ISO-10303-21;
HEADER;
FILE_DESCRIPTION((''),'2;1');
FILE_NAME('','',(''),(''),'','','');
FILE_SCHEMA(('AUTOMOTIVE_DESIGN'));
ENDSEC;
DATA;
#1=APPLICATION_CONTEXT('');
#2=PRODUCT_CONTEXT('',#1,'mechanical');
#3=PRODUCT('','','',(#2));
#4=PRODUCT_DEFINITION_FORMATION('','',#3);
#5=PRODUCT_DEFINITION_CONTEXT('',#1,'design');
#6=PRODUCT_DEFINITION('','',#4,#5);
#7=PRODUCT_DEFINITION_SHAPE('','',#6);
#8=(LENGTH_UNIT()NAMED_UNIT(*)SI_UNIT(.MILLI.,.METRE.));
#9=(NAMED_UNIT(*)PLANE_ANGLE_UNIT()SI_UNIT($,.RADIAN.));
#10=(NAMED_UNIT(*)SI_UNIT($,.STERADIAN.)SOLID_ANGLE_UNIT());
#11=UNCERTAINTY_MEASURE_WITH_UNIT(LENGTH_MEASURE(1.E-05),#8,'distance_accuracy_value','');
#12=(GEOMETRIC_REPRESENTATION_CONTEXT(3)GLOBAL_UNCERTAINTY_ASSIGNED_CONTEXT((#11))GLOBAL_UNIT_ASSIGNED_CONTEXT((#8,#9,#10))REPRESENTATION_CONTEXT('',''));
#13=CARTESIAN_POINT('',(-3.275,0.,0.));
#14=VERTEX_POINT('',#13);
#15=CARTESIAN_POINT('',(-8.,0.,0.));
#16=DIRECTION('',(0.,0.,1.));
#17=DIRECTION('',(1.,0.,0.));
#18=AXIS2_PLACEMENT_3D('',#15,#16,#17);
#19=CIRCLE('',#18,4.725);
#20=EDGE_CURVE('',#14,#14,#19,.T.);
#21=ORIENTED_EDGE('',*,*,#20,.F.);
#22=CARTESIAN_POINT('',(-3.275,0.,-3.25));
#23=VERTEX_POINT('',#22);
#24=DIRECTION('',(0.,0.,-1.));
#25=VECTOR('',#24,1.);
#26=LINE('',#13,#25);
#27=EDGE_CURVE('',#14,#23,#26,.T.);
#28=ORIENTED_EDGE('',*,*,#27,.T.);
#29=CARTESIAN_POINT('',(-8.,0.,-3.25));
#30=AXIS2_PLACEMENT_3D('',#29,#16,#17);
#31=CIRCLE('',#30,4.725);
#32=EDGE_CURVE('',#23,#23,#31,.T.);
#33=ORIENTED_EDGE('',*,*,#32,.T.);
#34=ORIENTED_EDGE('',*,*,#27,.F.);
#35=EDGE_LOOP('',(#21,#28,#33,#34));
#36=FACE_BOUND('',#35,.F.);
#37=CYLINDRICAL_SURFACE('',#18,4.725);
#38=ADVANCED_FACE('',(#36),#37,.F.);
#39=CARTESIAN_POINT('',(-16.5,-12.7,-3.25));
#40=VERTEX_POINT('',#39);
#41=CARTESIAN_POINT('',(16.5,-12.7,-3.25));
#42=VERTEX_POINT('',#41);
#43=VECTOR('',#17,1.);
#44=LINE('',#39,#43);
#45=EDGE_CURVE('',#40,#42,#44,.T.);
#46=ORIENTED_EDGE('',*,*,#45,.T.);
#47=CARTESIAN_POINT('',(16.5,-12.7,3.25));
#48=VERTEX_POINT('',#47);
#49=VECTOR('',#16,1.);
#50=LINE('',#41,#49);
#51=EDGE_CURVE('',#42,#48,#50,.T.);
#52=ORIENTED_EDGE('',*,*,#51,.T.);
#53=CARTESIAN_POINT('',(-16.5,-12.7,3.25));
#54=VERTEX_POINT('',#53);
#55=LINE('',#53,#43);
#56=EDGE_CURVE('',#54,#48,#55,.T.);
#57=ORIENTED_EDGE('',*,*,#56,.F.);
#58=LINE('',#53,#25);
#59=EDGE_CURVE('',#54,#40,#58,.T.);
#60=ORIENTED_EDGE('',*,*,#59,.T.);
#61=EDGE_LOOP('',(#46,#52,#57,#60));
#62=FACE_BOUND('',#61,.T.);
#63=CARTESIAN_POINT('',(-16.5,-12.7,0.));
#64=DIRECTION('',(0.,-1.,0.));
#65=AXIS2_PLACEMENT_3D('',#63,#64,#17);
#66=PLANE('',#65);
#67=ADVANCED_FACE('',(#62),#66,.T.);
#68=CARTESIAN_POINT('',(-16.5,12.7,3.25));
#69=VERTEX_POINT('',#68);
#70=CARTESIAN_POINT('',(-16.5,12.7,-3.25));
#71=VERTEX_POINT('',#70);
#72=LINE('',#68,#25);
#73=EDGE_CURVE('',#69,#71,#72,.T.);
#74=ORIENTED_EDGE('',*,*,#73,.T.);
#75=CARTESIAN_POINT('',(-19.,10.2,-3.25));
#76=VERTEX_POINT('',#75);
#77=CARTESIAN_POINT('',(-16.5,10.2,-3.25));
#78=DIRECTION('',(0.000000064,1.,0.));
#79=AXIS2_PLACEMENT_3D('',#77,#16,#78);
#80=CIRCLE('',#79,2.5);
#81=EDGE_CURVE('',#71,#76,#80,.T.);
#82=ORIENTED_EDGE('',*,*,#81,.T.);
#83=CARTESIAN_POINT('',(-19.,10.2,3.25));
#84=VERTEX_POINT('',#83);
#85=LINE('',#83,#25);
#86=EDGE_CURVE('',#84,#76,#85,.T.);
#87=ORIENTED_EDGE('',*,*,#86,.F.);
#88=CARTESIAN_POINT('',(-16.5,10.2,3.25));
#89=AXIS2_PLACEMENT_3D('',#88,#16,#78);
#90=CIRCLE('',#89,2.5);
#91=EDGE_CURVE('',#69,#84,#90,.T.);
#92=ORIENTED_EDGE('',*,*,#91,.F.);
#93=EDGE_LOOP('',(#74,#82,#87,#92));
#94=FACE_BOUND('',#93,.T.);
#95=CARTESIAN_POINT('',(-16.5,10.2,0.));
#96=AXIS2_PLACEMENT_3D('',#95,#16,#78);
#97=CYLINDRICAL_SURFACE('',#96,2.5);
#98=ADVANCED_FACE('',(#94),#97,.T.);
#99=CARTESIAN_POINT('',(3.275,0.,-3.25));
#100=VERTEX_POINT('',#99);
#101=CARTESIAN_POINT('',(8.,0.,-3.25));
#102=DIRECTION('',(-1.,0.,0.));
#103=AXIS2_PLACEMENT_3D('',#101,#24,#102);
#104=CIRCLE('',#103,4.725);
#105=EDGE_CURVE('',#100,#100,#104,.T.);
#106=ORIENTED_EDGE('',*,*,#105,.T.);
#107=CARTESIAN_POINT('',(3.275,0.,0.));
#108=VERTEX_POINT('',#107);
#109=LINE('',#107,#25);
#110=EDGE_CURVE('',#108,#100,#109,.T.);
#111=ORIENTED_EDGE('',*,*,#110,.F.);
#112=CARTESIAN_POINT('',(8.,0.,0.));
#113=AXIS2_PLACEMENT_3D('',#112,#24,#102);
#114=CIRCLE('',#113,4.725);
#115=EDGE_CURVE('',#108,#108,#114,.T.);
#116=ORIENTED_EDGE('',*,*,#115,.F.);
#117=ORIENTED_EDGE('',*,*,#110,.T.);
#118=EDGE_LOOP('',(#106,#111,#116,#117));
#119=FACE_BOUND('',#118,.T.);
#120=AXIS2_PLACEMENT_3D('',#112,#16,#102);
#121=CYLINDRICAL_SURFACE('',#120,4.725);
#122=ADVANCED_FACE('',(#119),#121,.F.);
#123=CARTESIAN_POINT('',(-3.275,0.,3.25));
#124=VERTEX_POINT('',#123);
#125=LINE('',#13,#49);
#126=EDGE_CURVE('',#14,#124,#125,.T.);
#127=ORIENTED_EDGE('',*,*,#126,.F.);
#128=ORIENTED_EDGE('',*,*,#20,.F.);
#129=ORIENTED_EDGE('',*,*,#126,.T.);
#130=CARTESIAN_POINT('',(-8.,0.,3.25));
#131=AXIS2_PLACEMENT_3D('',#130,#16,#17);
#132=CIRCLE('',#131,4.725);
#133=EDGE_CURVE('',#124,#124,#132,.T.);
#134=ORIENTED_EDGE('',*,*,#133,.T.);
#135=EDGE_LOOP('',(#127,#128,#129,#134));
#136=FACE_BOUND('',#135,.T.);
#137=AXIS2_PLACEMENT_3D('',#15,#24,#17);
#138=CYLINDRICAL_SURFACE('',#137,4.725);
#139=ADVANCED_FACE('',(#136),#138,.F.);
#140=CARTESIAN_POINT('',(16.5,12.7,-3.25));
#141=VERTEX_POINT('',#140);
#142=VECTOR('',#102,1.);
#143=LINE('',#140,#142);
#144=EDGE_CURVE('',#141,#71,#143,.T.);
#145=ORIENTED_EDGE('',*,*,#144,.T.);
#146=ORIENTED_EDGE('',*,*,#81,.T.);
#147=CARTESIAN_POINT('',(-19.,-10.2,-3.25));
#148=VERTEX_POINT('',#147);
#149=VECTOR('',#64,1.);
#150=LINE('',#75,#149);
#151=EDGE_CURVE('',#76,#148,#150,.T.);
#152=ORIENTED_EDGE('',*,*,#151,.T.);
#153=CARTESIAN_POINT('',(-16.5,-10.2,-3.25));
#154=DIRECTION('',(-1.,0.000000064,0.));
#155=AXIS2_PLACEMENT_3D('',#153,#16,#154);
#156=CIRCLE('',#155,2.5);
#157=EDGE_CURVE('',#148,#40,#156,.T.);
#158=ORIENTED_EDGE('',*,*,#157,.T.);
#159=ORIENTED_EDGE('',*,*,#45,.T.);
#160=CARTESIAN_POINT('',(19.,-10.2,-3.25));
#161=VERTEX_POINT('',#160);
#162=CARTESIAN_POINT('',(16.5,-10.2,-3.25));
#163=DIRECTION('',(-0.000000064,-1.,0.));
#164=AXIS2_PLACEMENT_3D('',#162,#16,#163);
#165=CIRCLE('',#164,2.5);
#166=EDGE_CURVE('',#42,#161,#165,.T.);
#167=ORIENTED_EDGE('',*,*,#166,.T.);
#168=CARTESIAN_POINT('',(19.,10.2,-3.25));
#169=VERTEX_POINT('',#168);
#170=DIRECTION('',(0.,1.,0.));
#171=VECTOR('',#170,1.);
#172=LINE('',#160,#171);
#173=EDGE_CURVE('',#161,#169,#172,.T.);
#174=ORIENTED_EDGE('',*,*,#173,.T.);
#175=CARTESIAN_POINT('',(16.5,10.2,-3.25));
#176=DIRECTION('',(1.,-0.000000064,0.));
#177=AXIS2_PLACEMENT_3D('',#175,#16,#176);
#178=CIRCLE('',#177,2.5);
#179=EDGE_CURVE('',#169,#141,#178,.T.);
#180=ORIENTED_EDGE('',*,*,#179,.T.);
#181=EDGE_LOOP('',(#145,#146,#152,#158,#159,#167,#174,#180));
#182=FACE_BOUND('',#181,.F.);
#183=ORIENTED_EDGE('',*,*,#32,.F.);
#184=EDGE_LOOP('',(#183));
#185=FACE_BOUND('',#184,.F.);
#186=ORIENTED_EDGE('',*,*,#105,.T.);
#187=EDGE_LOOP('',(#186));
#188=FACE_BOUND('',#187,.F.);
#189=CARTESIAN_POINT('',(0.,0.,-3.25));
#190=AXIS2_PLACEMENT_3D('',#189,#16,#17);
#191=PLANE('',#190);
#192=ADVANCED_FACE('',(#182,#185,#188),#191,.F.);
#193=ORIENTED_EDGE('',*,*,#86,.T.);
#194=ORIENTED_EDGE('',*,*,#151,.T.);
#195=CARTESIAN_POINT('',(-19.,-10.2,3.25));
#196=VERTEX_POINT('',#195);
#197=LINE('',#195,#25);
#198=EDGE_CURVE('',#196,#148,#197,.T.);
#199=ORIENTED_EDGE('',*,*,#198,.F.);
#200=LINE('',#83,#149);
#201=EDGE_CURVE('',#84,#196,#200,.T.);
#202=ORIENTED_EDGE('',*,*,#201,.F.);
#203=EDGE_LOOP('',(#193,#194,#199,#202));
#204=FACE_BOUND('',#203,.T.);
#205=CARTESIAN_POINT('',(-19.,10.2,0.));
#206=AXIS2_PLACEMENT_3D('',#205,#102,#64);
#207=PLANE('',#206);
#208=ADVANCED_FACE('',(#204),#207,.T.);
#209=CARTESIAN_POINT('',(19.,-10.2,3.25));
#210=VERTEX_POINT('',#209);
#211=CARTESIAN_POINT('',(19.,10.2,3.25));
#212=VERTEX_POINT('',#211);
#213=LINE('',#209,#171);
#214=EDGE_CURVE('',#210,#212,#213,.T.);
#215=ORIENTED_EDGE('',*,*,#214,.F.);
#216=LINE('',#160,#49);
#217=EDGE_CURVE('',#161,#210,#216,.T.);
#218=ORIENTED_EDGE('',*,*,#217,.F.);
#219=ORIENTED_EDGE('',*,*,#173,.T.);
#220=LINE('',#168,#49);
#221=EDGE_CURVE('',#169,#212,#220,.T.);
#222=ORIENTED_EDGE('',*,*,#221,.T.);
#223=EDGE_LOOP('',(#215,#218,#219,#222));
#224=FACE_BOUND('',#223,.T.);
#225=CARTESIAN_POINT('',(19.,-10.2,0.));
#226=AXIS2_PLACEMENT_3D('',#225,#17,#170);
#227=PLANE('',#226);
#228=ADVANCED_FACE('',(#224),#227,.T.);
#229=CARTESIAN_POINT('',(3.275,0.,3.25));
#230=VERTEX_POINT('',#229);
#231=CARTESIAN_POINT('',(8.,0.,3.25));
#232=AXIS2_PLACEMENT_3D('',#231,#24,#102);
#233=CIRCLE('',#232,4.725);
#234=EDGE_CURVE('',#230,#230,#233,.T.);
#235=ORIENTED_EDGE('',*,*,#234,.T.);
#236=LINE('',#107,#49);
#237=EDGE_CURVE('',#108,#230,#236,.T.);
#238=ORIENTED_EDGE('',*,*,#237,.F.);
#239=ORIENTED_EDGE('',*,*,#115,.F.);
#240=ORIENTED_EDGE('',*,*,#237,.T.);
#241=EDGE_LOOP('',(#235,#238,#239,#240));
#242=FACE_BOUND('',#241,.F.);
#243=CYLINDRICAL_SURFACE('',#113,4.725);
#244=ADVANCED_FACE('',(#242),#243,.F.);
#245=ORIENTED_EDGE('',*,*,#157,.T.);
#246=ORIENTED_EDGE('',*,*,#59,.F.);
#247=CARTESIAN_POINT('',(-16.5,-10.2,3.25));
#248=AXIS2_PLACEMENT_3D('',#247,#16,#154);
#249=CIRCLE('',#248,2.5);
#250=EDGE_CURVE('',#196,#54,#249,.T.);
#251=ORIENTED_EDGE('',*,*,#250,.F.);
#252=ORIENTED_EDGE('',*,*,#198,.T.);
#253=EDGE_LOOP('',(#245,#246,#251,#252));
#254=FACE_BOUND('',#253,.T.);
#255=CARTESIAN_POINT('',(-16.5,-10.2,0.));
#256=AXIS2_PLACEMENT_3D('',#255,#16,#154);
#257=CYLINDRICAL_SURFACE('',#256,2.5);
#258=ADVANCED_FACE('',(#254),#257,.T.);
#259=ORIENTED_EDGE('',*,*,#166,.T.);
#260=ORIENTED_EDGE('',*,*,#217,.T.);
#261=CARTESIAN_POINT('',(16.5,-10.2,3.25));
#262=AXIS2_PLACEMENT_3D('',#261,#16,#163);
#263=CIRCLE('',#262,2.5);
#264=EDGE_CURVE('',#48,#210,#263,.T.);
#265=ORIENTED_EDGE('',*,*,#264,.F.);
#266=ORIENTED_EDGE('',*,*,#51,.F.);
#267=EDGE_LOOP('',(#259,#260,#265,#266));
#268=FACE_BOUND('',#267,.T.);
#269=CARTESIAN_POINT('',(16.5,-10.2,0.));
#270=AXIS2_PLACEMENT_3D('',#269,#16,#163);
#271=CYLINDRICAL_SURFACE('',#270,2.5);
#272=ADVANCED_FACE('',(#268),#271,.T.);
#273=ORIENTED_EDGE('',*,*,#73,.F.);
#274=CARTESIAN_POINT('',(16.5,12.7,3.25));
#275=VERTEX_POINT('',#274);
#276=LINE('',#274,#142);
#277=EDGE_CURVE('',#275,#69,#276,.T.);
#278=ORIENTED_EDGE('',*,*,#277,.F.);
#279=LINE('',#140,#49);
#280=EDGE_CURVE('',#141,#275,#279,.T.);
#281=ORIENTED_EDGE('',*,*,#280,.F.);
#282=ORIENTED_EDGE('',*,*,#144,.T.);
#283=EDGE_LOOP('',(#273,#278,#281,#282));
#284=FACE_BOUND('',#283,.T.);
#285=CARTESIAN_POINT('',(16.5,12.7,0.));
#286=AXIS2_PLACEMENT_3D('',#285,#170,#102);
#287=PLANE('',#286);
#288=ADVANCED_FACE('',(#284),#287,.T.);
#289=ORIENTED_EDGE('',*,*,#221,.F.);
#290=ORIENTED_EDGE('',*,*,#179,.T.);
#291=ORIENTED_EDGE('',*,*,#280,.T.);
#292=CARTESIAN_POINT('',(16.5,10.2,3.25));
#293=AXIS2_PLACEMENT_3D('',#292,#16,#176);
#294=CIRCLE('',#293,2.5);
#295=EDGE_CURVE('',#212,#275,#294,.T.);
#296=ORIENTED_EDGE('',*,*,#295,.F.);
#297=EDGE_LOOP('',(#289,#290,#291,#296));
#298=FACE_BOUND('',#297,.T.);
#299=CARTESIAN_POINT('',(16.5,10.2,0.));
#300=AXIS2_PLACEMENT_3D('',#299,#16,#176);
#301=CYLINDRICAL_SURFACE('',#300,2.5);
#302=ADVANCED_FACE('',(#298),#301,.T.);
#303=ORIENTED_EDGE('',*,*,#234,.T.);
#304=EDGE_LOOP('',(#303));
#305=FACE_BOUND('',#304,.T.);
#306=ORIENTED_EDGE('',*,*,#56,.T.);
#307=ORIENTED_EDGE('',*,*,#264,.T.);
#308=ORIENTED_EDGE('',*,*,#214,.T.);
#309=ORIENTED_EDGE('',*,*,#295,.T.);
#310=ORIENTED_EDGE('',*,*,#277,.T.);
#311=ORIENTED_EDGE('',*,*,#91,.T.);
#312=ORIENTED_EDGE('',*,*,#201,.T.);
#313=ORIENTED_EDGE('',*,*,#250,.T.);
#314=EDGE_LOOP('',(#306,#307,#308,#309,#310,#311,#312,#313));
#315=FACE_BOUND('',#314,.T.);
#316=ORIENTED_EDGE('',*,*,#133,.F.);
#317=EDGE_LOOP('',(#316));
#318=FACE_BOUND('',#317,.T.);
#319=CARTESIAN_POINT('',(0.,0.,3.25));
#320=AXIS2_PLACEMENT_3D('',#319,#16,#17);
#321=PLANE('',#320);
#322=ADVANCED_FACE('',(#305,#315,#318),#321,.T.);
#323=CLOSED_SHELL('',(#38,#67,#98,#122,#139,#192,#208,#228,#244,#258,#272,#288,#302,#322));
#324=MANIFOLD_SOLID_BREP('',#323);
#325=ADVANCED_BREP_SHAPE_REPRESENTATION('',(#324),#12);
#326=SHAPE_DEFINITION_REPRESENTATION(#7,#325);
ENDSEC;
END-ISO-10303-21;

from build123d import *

# Parameters (mm, degrees)
F0_R     = 4.725
F1_DEPTH = 3.25


with BuildPart() as f1:
    # F0 (on Top) → F1 (new body, symmetric)
    with BuildSketch(Plane.XY):
        with BuildLine():
            Line((-16.5, -12.7), (16.5, -12.7))
            ThreePointArc((16.5, -12.7), (18.267767, -11.967767), (19, -10.2))
            Line((19, -10.2), (19, 10.2))
            ThreePointArc((19, 10.2), (18.267767, 11.967767), (16.5, 12.7))
            Line((16.5, 12.7), (-16.5, 12.7))
            ThreePointArc((-16.5, 12.7), (-18.267767, 11.967767), (-19, 10.2))
            Line((-19, 10.2), (-19, -10.2))
            ThreePointArc((-19, -10.2), (-18.267767, -11.967767), (-16.5, -12.7))
        make_face()
        with Locations((-8, 0)):
            Circle(F0_R, mode=Mode.SUBTRACT)
        with BuildLine():
            ThreePointArc((12.725, 0), (8, -4.725), (3.275, 0))
            ThreePointArc((3.275, 0), (8, 4.725), (12.725, 0))
        make_face(mode=Mode.SUBTRACT)
    extrude(amount=F1_DEPTH, both=True)


solid = f1.part
